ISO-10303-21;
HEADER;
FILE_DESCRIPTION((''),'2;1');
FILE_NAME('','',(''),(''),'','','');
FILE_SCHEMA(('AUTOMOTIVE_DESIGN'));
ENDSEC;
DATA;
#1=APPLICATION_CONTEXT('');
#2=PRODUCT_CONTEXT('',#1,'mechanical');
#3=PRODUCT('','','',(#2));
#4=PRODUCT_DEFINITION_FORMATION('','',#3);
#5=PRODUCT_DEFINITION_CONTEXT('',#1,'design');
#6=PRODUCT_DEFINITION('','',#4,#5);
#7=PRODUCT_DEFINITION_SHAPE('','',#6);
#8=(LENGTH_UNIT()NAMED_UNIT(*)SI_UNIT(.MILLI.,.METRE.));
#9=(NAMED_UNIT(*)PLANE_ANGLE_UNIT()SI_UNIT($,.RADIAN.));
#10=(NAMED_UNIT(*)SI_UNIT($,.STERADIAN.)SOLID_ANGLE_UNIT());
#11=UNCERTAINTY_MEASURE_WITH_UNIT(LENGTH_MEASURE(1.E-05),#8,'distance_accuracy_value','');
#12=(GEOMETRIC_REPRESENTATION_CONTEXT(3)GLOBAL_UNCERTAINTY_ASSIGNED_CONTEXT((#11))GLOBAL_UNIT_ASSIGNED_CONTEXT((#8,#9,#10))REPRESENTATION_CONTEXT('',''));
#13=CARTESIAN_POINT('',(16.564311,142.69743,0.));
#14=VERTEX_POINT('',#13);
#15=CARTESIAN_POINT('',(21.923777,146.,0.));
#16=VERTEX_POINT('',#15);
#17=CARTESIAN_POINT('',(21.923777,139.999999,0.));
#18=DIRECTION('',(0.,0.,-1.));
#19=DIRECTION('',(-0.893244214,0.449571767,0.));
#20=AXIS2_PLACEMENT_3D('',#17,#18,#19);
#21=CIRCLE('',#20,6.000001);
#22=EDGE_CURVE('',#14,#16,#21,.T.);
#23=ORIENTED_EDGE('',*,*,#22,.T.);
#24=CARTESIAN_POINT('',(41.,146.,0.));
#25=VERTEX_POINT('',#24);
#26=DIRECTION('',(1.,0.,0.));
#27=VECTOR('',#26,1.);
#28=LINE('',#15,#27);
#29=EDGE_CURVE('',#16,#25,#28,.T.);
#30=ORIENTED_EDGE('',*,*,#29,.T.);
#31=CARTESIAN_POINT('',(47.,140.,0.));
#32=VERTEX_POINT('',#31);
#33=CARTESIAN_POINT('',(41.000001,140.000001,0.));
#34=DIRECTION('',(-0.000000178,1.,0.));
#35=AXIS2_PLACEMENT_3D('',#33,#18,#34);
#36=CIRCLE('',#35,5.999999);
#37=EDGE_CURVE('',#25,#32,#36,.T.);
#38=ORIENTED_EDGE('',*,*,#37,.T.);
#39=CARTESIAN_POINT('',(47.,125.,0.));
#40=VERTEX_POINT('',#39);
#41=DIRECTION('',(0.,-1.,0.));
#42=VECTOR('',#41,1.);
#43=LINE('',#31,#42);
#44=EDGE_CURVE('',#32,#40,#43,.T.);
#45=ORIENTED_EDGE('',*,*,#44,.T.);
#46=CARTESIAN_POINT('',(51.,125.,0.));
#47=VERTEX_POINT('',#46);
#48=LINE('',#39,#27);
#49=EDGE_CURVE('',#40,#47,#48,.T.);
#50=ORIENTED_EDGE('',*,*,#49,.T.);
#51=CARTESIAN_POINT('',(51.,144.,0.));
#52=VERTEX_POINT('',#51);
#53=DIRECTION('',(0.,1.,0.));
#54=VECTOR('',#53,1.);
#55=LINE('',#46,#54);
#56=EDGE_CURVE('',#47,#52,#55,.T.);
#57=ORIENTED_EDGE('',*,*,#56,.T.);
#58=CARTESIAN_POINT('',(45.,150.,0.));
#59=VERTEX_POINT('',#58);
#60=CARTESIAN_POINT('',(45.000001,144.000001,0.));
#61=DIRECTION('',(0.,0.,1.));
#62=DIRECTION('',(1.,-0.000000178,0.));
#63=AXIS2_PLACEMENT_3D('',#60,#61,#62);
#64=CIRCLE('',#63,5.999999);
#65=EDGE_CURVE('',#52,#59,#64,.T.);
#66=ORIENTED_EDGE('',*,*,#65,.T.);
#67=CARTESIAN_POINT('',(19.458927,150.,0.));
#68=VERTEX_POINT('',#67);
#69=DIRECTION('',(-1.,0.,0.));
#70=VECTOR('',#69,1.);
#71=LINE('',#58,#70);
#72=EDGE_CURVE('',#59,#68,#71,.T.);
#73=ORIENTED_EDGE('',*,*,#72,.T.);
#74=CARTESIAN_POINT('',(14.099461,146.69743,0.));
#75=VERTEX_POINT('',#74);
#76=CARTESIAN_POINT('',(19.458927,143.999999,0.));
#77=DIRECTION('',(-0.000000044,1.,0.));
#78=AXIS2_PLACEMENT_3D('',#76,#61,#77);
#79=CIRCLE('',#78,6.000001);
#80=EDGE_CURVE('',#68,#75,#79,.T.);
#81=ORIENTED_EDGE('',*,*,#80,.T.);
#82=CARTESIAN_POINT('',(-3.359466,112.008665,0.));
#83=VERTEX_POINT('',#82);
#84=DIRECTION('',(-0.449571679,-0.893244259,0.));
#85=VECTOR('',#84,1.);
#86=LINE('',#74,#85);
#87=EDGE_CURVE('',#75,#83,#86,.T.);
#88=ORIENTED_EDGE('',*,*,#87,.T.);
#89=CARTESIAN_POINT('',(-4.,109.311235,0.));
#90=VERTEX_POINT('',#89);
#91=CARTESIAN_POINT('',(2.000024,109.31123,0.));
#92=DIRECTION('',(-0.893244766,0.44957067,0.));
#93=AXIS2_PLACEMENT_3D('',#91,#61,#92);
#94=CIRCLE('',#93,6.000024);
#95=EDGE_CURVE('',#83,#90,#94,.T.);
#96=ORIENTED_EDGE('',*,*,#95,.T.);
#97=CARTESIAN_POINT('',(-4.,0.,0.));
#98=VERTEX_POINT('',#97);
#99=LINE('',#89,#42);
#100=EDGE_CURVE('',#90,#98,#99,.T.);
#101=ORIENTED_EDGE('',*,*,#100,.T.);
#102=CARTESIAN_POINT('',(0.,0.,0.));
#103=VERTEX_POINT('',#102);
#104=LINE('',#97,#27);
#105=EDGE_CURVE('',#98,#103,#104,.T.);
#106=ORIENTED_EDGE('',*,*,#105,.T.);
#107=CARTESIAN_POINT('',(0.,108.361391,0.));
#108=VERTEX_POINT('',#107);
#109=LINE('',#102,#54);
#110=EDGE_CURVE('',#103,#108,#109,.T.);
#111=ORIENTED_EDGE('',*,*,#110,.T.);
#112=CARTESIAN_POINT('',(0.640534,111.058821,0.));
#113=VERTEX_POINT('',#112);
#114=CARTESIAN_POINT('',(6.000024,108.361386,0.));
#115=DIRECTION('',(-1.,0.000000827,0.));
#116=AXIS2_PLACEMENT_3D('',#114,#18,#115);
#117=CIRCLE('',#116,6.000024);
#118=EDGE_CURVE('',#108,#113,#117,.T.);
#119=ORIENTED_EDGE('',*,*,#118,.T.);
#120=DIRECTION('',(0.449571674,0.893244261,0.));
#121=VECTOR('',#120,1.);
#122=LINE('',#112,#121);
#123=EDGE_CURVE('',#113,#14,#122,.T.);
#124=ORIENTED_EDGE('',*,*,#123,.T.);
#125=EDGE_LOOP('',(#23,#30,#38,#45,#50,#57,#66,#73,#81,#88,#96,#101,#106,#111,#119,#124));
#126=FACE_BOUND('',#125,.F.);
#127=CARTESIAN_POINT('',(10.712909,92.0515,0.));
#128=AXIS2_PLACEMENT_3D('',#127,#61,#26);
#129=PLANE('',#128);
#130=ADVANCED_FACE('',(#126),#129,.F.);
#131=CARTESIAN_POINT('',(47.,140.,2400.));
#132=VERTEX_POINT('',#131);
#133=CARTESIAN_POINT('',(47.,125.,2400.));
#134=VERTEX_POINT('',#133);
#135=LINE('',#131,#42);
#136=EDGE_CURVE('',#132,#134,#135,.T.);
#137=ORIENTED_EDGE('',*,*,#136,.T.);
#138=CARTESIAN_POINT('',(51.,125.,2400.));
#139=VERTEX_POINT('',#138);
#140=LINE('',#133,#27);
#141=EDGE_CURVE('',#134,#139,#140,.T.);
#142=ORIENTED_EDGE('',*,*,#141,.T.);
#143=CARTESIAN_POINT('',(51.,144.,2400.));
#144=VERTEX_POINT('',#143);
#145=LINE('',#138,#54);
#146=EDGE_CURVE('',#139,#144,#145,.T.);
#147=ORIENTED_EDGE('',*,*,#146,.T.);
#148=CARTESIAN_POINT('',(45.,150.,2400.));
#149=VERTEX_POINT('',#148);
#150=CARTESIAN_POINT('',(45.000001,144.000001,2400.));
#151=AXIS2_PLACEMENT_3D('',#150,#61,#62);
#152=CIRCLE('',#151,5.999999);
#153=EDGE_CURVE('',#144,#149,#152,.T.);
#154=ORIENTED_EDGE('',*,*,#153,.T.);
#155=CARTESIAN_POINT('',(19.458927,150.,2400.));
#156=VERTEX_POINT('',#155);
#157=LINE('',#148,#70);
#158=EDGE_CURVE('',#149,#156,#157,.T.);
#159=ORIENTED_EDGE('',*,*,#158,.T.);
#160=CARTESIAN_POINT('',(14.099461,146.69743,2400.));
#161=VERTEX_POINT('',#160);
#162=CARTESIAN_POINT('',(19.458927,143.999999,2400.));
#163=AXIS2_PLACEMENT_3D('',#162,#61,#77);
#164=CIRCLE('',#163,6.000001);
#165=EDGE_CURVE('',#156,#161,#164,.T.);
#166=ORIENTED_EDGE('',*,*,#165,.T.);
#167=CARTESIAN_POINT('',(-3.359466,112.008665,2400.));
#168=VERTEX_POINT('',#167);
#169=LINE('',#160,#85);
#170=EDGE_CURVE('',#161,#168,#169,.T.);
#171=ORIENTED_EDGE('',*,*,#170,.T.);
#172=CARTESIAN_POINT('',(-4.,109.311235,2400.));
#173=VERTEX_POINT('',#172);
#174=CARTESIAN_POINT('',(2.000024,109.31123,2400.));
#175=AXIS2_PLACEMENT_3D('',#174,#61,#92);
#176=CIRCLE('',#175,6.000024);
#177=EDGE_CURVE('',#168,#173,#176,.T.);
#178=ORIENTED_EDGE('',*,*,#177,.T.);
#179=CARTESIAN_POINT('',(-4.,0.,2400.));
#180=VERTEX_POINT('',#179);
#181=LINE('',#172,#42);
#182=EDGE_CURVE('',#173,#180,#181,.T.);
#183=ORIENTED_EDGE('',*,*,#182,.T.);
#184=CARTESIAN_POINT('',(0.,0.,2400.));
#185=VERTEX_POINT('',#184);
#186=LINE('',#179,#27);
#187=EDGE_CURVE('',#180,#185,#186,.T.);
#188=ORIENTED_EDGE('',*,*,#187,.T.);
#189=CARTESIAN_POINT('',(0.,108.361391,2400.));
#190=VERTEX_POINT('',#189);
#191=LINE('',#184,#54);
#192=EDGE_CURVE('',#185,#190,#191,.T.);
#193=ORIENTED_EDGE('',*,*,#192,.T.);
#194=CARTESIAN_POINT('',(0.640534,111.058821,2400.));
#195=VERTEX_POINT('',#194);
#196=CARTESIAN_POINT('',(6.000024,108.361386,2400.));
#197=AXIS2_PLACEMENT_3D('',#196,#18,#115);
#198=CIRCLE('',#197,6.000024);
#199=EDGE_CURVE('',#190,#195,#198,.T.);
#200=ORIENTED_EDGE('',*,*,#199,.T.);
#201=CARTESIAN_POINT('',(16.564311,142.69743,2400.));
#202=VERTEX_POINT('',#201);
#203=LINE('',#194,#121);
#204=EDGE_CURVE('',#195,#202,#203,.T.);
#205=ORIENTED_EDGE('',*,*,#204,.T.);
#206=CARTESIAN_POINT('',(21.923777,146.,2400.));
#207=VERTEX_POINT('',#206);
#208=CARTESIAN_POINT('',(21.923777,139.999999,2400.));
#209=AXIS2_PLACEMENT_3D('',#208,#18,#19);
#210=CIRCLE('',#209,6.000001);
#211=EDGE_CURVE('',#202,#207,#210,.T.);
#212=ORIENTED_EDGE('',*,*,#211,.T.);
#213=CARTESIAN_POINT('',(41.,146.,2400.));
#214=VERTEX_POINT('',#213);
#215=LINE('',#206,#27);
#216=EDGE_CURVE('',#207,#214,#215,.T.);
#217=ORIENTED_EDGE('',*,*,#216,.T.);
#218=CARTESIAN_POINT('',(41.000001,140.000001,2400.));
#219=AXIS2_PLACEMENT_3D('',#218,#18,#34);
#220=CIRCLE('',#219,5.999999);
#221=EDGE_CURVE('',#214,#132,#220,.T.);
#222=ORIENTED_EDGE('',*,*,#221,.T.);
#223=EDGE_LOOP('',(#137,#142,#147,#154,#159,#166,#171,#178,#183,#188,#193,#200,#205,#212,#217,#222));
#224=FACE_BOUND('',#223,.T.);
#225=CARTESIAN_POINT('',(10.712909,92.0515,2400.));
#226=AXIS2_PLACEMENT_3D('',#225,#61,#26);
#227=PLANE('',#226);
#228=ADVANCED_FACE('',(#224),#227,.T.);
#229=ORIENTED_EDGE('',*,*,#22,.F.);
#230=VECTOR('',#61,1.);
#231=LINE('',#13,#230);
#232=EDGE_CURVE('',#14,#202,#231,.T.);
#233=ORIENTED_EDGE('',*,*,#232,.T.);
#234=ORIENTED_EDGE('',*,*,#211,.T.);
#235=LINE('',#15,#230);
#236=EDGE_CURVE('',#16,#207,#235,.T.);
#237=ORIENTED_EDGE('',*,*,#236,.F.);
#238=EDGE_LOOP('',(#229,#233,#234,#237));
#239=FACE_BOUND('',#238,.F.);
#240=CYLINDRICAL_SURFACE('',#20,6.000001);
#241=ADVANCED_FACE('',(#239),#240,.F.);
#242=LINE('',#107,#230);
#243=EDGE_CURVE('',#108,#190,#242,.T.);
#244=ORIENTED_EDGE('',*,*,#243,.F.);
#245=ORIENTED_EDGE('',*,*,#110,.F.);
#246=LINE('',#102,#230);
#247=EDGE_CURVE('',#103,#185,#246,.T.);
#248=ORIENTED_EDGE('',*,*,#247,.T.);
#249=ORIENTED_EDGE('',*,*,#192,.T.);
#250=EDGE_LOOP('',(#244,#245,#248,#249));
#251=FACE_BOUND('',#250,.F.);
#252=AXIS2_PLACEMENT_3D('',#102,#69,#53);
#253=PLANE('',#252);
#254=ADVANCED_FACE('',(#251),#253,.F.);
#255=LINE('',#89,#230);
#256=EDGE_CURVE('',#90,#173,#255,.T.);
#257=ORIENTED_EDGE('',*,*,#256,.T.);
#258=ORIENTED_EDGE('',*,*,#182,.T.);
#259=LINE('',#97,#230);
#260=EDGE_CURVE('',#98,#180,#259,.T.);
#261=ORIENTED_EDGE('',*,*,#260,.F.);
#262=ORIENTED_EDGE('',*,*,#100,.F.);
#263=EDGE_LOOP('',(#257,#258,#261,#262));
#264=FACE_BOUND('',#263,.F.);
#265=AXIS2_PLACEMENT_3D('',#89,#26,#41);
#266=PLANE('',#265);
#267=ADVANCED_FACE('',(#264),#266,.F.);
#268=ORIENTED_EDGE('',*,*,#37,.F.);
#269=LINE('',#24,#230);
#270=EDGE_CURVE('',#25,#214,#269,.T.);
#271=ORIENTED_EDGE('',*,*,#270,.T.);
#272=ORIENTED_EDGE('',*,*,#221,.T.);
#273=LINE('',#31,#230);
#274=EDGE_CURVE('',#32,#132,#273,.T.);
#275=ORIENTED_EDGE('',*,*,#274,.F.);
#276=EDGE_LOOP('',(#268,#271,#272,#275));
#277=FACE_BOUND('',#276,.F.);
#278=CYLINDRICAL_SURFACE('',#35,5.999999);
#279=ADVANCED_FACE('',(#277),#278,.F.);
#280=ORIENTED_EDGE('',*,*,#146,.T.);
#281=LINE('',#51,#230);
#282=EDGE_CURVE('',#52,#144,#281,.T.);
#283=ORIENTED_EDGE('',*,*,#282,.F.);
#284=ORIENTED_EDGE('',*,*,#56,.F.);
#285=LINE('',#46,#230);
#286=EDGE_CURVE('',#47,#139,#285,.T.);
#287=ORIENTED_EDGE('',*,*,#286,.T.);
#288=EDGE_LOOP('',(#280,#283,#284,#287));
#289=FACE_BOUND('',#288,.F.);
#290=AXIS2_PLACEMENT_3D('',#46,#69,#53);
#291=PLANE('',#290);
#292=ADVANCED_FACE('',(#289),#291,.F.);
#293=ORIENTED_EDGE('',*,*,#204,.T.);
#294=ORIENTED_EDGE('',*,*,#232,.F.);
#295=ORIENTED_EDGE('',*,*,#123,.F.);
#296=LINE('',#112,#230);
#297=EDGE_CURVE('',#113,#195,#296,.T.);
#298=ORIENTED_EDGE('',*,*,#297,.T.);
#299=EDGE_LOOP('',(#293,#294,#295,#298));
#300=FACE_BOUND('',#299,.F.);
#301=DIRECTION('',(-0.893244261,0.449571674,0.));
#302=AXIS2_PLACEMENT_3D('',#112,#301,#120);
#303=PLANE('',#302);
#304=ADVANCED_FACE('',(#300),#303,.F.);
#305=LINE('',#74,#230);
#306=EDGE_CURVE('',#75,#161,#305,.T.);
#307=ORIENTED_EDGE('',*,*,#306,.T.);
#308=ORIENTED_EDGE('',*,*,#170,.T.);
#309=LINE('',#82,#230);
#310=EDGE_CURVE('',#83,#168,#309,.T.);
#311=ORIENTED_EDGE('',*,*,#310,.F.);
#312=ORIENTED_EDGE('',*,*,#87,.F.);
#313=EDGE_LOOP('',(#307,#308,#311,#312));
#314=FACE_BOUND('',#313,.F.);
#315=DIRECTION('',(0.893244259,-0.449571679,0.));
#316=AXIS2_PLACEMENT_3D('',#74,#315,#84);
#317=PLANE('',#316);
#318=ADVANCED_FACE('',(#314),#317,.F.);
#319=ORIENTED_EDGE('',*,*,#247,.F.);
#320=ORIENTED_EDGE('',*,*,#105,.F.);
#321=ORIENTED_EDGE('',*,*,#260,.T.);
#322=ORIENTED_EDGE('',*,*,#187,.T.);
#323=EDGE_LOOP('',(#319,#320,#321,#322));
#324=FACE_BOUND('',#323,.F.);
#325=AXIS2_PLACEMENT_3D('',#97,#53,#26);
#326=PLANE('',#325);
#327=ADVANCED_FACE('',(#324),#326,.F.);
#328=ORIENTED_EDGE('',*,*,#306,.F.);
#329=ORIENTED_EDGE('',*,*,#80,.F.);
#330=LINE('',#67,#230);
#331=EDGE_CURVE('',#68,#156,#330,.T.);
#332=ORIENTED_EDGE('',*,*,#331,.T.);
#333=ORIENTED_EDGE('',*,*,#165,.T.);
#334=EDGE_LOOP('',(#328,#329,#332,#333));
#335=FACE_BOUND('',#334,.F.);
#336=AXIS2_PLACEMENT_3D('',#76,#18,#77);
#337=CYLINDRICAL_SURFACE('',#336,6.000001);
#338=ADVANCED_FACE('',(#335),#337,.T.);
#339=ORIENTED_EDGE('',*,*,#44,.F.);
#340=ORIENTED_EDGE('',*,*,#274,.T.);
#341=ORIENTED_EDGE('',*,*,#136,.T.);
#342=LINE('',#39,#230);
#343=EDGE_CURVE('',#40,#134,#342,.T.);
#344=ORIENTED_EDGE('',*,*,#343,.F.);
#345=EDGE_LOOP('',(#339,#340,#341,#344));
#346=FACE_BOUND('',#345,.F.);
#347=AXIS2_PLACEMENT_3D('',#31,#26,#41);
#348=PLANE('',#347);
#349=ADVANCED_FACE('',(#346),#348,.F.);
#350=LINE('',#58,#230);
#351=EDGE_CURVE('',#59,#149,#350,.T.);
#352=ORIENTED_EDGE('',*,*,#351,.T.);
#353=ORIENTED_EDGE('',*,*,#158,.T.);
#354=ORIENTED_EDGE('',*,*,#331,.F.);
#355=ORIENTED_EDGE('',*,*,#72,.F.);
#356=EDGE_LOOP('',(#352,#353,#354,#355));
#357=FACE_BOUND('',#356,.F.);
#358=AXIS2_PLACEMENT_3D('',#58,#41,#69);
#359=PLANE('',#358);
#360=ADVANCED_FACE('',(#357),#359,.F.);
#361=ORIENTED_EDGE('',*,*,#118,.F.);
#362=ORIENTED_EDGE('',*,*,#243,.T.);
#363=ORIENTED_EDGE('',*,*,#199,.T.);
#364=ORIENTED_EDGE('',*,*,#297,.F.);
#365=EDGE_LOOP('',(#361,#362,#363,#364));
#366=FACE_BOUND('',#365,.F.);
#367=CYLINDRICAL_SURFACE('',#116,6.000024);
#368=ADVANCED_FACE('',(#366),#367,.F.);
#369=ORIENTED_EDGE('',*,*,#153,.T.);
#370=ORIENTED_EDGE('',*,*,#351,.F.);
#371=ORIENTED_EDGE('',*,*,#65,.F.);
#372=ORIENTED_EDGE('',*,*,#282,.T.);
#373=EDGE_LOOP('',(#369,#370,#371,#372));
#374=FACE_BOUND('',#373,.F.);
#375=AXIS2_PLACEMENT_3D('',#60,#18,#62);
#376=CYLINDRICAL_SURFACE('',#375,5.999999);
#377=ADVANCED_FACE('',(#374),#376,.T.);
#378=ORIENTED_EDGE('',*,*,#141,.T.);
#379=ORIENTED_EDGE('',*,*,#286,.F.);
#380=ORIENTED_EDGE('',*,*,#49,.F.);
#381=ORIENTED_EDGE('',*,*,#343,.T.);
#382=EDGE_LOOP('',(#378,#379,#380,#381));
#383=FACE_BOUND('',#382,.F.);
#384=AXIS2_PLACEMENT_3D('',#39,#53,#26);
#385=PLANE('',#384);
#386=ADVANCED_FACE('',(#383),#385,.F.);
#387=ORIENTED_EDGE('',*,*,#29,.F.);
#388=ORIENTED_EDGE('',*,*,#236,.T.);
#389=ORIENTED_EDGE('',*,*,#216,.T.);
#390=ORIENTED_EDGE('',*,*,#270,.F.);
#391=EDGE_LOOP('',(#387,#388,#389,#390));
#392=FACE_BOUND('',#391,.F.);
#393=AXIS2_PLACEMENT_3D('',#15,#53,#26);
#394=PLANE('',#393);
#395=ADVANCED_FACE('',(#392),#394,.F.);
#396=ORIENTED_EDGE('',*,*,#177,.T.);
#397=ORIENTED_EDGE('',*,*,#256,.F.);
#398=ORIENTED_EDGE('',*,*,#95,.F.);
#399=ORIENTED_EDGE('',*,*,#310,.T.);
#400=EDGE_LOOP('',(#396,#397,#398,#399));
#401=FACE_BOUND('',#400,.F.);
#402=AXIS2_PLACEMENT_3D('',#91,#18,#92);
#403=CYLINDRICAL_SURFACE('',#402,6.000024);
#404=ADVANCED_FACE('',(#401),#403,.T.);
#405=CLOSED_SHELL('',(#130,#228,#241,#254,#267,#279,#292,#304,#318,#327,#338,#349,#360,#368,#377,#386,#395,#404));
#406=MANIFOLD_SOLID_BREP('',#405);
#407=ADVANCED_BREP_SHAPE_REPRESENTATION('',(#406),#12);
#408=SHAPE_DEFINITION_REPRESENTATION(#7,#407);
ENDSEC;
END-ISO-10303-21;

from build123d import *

# Parameters (mm, degrees)
F1_DEPTH = 2400


with BuildPart() as f1:
    # F0 (on Top) → F1 (new body)
    with BuildSketch(Plane.XY):
        with BuildLine():
            Line((-4, 0), (0, 0))
            Line((0, 0), (0, 108.361391))
            ThreePointArc((0, 108.361391), (0.16233, 109.74761), (0.640534, 111.058821))
            Line((0.640534, 111.058821), (16.564311, 142.69743))
            ThreePointArc((16.564311, 142.69743), (18.776125, 145.108061), (21.923777, 146))
            Line((21.923777, 146), (41, 146))
            ThreePointArc((41, 146), (45.242641, 144.242641), (47, 140))
            Line((47, 140), (47, 125))
            Line((47, 125), (51, 125))
            Line((51, 125), (51, 144))
            ThreePointArc((51, 144), (49.242641, 148.242641), (45, 150))
            Line((45, 150), (19.458927, 150))
            ThreePointArc((19.458927, 150), (16.311275, 149.108061), (14.099461, 146.69743))
            Line((14.099461, 146.69743), (-3.359466, 112.008665))
            ThreePointArc((-3.359466, 112.008665), (-3.83767, 110.697454), (-4, 109.311235))
            Line((-4, 109.311235), (-4, 0))
        make_face()
    extrude(amount=F1_DEPTH)


solid = f1.part
